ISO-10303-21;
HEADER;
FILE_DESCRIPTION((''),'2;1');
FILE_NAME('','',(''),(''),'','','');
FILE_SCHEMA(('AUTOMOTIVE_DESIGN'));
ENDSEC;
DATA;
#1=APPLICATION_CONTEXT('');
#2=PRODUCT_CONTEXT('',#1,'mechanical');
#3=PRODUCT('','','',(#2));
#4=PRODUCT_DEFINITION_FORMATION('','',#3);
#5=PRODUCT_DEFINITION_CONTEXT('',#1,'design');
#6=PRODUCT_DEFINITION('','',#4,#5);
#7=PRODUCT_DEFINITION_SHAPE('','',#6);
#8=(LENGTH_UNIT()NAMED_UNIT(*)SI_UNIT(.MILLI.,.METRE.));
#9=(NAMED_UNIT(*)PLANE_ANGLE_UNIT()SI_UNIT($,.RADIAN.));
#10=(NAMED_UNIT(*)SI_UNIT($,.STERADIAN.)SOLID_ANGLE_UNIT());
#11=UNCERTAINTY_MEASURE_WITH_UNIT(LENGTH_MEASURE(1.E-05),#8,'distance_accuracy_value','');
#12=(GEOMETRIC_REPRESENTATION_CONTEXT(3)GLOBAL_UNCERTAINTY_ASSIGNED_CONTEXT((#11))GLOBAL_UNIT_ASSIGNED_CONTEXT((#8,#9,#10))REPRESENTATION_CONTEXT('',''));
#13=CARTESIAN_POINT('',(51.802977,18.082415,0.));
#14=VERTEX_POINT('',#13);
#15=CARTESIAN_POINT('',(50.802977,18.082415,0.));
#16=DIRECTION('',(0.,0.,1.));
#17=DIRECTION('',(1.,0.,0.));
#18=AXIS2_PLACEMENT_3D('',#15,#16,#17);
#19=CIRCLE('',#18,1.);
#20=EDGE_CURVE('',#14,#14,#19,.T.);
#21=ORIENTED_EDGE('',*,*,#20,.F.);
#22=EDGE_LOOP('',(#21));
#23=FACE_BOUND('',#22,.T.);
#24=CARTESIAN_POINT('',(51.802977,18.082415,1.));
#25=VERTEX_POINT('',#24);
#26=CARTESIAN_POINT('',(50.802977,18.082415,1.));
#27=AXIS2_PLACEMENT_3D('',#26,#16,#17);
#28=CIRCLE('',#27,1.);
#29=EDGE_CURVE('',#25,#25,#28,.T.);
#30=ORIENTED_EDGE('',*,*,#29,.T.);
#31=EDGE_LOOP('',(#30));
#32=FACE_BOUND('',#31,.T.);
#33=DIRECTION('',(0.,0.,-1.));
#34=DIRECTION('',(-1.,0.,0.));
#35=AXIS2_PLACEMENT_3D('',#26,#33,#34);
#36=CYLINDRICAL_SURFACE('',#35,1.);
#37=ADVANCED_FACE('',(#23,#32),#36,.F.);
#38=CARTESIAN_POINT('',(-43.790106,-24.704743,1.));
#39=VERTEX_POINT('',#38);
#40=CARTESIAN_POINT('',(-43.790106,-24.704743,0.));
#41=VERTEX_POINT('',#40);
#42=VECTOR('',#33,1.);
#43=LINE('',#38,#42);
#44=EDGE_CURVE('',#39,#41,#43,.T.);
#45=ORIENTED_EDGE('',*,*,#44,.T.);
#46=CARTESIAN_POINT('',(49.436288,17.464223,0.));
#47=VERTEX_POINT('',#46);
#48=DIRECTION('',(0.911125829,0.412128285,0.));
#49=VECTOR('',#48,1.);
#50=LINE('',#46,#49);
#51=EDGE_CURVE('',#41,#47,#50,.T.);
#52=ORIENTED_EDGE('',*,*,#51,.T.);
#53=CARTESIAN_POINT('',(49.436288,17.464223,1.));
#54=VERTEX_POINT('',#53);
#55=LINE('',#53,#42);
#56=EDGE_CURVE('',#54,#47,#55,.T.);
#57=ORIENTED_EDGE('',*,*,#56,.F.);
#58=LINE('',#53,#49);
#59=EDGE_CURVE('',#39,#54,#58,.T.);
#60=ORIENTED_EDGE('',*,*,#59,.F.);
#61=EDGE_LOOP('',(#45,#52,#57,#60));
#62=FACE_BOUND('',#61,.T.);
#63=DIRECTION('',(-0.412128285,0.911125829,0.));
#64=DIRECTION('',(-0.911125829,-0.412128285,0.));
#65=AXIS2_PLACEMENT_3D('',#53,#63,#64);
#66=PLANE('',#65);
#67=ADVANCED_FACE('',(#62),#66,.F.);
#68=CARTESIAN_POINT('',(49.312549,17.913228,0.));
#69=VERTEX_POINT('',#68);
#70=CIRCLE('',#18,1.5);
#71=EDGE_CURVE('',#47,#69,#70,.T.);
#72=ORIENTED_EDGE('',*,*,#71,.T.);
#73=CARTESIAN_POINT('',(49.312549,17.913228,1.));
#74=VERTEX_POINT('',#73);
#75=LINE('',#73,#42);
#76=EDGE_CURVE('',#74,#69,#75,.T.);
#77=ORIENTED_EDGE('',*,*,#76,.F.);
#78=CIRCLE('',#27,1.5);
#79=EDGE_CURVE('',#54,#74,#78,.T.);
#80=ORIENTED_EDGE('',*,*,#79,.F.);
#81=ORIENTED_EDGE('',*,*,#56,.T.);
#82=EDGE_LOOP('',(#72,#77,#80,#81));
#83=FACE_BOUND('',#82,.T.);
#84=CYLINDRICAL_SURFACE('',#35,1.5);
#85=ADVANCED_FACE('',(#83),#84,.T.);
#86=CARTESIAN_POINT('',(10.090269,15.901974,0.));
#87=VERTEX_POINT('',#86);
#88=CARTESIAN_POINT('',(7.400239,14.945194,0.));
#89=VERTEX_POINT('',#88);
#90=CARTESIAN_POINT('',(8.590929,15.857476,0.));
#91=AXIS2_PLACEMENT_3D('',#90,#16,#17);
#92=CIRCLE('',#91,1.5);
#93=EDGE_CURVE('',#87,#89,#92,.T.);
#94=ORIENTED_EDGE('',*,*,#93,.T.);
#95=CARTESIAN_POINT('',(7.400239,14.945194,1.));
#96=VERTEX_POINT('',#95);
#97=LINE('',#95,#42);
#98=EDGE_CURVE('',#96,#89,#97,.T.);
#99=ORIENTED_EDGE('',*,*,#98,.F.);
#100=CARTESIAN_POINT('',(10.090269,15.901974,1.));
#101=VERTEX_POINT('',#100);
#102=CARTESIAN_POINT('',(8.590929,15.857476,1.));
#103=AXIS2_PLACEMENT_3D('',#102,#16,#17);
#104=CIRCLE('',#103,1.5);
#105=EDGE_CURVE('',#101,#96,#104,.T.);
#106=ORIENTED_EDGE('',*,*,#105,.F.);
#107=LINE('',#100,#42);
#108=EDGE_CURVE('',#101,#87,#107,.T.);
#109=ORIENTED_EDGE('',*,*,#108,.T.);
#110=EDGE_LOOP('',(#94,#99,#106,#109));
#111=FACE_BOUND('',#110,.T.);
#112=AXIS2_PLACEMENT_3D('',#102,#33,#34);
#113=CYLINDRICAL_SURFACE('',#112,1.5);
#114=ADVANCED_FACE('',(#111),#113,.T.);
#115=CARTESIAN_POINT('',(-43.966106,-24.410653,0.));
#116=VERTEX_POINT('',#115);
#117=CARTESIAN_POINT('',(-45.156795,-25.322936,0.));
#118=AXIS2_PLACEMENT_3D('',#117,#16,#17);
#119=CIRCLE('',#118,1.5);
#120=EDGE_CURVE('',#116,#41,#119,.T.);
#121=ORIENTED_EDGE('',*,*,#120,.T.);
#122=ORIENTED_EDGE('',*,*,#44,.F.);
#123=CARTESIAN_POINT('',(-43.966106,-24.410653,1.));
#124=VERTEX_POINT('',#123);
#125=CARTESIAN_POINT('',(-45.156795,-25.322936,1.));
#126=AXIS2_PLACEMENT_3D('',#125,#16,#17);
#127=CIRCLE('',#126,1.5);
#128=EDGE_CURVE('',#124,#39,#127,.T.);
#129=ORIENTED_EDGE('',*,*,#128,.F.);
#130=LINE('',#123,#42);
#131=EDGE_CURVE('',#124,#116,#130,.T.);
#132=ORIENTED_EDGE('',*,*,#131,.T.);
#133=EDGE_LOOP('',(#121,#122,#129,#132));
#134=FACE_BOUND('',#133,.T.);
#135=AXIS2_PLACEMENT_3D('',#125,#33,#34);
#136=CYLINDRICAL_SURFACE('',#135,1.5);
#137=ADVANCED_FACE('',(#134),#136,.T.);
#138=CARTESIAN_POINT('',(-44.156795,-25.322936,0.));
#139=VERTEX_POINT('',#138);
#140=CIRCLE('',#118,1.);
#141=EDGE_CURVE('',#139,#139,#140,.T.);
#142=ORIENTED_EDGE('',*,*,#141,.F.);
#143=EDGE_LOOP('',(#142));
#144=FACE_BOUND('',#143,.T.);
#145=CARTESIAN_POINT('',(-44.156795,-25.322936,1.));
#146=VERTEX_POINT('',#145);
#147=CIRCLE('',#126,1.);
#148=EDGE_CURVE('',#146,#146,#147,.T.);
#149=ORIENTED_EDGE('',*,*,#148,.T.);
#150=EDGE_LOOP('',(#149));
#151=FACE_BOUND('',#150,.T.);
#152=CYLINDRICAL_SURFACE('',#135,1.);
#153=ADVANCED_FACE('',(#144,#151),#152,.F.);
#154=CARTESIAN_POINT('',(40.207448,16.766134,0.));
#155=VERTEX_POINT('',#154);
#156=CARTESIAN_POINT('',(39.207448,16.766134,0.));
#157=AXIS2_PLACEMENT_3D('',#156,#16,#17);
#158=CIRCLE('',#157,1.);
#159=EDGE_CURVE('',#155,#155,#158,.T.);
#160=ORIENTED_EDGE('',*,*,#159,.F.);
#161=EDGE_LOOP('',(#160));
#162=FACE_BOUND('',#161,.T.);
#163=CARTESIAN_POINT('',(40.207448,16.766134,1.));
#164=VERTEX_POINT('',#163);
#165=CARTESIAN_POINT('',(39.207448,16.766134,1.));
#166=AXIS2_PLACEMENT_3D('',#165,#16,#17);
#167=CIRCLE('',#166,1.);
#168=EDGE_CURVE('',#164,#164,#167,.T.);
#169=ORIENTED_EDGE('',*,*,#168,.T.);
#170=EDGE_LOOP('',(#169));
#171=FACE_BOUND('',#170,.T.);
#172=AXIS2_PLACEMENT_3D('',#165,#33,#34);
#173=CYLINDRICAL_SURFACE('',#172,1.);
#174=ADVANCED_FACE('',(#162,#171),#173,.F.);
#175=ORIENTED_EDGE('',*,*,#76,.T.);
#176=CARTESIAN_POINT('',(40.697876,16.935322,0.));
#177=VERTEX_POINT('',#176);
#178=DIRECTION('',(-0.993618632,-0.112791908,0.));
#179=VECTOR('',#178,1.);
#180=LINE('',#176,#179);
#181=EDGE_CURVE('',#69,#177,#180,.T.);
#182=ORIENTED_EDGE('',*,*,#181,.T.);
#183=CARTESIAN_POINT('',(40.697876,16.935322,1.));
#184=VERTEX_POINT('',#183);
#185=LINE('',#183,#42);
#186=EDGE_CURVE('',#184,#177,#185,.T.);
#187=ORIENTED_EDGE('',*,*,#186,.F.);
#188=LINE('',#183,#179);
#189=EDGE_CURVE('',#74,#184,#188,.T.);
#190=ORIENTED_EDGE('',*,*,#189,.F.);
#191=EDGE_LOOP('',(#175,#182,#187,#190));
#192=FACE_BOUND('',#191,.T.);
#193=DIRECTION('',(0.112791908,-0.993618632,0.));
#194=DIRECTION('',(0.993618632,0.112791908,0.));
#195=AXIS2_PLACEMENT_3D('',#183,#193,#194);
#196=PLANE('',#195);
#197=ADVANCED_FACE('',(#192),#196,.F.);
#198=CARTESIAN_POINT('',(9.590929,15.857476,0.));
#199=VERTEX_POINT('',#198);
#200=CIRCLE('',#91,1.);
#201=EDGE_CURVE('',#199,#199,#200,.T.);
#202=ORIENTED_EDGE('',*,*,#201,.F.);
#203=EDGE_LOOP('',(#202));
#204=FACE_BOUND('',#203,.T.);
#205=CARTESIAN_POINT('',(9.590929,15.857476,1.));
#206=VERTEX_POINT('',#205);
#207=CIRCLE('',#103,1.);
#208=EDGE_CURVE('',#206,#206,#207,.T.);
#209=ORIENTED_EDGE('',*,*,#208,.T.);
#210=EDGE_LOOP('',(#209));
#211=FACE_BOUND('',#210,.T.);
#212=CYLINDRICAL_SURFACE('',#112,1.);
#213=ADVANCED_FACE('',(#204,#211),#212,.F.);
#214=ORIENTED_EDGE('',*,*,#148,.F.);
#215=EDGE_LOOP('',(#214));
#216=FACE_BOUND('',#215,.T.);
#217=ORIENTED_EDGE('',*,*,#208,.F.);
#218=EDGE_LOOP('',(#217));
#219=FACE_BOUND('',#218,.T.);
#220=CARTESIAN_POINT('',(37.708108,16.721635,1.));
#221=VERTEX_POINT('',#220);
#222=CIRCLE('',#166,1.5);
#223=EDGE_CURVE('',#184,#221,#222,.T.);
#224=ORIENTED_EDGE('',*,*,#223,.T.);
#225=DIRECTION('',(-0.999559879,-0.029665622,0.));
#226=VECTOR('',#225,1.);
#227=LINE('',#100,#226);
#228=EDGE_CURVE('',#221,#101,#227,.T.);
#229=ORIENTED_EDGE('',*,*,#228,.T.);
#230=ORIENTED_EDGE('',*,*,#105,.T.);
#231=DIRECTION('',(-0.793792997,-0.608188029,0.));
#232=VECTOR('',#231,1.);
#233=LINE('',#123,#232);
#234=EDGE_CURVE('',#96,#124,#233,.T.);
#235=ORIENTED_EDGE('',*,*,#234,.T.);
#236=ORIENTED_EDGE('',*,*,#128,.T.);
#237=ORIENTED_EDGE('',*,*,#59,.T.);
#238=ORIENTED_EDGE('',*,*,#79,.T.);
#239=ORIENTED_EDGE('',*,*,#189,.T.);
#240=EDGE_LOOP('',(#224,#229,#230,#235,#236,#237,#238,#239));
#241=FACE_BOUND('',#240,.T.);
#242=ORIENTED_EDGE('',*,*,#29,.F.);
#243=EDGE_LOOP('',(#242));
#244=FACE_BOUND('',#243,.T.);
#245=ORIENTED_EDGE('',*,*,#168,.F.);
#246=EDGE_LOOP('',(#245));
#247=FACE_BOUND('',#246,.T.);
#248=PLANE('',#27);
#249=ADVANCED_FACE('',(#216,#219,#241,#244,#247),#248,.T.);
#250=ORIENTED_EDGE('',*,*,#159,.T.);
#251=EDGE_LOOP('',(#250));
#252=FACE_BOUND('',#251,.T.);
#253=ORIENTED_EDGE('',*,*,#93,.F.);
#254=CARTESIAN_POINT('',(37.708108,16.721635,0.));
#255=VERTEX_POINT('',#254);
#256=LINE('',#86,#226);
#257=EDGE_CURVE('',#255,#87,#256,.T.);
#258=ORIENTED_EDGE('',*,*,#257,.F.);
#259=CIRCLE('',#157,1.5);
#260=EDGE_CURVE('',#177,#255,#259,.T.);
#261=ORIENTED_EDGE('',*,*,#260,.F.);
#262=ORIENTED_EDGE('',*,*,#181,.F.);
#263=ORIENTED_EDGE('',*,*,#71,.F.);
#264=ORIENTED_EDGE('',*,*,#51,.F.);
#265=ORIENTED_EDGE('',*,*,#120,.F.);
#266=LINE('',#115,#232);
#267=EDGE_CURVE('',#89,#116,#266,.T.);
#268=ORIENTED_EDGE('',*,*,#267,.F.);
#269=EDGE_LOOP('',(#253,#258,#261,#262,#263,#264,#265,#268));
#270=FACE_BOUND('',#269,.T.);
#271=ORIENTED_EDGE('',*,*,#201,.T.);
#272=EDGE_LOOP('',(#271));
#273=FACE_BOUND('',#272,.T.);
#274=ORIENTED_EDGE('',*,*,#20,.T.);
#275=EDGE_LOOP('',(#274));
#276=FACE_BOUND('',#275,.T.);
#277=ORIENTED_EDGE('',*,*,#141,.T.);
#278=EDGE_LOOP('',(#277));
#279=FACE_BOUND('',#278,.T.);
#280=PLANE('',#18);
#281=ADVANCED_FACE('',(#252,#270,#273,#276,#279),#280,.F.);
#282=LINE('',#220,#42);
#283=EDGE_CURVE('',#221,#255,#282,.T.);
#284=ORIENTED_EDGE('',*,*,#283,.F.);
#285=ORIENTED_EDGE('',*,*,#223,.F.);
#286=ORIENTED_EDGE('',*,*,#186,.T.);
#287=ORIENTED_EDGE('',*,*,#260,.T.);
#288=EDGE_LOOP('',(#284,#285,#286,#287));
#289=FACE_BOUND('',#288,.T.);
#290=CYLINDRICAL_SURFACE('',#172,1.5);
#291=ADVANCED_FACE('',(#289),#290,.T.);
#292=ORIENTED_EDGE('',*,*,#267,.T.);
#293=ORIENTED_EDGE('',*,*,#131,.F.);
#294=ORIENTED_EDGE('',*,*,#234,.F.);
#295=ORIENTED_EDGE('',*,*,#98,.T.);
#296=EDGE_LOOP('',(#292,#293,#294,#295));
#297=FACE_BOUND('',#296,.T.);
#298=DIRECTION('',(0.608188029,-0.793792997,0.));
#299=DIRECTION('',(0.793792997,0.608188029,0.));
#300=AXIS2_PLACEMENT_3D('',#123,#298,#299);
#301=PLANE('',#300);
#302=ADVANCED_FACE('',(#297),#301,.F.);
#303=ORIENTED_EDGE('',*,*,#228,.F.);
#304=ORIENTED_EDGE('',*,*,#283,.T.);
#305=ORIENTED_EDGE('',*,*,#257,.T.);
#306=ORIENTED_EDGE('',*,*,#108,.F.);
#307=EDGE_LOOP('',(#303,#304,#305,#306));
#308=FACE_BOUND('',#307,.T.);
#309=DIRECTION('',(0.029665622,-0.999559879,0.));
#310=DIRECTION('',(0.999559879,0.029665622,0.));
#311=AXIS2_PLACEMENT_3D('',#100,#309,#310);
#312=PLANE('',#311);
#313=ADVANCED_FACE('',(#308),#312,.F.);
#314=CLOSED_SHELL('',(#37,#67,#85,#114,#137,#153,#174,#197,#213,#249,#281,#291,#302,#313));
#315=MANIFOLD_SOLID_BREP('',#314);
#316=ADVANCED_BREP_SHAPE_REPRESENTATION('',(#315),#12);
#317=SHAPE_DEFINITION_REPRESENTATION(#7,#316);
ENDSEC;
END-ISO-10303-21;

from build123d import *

# Parameters (mm, degrees)
ESBO_O1_R                = 1
RESSALTO_EXTRUS_O1_DEPTH = 1


with BuildPart() as part:
    # Esboço1 → Ressalto-extrusão1 (new body)
    with BuildSketch(Plane.XY):
        with BuildLine():
            Line((-43.966105598, -24.410653491), (7.400239219, 14.945193852))
            ThreePointArc((7.400239219, 14.945193852), (8.088262348, 17.270743925), (10.090268532, 15.901974328))
            Line((10.090268532, 15.901974328), (37.708107977, 16.721635469))
            ThreePointArc((37.708107977, 16.721635469), (39.10051177, 18.262317276), (40.697875743, 16.935321765))
            Line((40.697875743, 16.935321765), (49.312549281, 17.91322761))
            ThreePointArc((49.312549281, 17.91322761), (52.249068588, 18.480937464), (49.436288485, 17.464223044))
            Line((49.436288485, 17.464223044), (-43.79010635, -24.704743106))
            ThreePointArc((-43.79010635, -24.704743106), (-46.443911265, -26.093215977), (-43.966105598, -24.410653491))
        make_face()
        with Locations((-45.156795094, -25.322935534)):
            Circle(ESBO_O1_R, mode=Mode.SUBTRACT)
        with Locations((8.590928714, 15.857475895)):
            Circle(ESBO_O1_R, mode=Mode.SUBTRACT)
        with Locations((39.207447795, 16.766133903)):
            Circle(ESBO_O1_R, mode=Mode.SUBTRACT)
        with Locations((50.802977228, 18.082415472)):
            Circle(ESBO_O1_R, mode=Mode.SUBTRACT)
    extrude(amount=RESSALTO_EXTRUS_O1_DEPTH)


solid = part.part
